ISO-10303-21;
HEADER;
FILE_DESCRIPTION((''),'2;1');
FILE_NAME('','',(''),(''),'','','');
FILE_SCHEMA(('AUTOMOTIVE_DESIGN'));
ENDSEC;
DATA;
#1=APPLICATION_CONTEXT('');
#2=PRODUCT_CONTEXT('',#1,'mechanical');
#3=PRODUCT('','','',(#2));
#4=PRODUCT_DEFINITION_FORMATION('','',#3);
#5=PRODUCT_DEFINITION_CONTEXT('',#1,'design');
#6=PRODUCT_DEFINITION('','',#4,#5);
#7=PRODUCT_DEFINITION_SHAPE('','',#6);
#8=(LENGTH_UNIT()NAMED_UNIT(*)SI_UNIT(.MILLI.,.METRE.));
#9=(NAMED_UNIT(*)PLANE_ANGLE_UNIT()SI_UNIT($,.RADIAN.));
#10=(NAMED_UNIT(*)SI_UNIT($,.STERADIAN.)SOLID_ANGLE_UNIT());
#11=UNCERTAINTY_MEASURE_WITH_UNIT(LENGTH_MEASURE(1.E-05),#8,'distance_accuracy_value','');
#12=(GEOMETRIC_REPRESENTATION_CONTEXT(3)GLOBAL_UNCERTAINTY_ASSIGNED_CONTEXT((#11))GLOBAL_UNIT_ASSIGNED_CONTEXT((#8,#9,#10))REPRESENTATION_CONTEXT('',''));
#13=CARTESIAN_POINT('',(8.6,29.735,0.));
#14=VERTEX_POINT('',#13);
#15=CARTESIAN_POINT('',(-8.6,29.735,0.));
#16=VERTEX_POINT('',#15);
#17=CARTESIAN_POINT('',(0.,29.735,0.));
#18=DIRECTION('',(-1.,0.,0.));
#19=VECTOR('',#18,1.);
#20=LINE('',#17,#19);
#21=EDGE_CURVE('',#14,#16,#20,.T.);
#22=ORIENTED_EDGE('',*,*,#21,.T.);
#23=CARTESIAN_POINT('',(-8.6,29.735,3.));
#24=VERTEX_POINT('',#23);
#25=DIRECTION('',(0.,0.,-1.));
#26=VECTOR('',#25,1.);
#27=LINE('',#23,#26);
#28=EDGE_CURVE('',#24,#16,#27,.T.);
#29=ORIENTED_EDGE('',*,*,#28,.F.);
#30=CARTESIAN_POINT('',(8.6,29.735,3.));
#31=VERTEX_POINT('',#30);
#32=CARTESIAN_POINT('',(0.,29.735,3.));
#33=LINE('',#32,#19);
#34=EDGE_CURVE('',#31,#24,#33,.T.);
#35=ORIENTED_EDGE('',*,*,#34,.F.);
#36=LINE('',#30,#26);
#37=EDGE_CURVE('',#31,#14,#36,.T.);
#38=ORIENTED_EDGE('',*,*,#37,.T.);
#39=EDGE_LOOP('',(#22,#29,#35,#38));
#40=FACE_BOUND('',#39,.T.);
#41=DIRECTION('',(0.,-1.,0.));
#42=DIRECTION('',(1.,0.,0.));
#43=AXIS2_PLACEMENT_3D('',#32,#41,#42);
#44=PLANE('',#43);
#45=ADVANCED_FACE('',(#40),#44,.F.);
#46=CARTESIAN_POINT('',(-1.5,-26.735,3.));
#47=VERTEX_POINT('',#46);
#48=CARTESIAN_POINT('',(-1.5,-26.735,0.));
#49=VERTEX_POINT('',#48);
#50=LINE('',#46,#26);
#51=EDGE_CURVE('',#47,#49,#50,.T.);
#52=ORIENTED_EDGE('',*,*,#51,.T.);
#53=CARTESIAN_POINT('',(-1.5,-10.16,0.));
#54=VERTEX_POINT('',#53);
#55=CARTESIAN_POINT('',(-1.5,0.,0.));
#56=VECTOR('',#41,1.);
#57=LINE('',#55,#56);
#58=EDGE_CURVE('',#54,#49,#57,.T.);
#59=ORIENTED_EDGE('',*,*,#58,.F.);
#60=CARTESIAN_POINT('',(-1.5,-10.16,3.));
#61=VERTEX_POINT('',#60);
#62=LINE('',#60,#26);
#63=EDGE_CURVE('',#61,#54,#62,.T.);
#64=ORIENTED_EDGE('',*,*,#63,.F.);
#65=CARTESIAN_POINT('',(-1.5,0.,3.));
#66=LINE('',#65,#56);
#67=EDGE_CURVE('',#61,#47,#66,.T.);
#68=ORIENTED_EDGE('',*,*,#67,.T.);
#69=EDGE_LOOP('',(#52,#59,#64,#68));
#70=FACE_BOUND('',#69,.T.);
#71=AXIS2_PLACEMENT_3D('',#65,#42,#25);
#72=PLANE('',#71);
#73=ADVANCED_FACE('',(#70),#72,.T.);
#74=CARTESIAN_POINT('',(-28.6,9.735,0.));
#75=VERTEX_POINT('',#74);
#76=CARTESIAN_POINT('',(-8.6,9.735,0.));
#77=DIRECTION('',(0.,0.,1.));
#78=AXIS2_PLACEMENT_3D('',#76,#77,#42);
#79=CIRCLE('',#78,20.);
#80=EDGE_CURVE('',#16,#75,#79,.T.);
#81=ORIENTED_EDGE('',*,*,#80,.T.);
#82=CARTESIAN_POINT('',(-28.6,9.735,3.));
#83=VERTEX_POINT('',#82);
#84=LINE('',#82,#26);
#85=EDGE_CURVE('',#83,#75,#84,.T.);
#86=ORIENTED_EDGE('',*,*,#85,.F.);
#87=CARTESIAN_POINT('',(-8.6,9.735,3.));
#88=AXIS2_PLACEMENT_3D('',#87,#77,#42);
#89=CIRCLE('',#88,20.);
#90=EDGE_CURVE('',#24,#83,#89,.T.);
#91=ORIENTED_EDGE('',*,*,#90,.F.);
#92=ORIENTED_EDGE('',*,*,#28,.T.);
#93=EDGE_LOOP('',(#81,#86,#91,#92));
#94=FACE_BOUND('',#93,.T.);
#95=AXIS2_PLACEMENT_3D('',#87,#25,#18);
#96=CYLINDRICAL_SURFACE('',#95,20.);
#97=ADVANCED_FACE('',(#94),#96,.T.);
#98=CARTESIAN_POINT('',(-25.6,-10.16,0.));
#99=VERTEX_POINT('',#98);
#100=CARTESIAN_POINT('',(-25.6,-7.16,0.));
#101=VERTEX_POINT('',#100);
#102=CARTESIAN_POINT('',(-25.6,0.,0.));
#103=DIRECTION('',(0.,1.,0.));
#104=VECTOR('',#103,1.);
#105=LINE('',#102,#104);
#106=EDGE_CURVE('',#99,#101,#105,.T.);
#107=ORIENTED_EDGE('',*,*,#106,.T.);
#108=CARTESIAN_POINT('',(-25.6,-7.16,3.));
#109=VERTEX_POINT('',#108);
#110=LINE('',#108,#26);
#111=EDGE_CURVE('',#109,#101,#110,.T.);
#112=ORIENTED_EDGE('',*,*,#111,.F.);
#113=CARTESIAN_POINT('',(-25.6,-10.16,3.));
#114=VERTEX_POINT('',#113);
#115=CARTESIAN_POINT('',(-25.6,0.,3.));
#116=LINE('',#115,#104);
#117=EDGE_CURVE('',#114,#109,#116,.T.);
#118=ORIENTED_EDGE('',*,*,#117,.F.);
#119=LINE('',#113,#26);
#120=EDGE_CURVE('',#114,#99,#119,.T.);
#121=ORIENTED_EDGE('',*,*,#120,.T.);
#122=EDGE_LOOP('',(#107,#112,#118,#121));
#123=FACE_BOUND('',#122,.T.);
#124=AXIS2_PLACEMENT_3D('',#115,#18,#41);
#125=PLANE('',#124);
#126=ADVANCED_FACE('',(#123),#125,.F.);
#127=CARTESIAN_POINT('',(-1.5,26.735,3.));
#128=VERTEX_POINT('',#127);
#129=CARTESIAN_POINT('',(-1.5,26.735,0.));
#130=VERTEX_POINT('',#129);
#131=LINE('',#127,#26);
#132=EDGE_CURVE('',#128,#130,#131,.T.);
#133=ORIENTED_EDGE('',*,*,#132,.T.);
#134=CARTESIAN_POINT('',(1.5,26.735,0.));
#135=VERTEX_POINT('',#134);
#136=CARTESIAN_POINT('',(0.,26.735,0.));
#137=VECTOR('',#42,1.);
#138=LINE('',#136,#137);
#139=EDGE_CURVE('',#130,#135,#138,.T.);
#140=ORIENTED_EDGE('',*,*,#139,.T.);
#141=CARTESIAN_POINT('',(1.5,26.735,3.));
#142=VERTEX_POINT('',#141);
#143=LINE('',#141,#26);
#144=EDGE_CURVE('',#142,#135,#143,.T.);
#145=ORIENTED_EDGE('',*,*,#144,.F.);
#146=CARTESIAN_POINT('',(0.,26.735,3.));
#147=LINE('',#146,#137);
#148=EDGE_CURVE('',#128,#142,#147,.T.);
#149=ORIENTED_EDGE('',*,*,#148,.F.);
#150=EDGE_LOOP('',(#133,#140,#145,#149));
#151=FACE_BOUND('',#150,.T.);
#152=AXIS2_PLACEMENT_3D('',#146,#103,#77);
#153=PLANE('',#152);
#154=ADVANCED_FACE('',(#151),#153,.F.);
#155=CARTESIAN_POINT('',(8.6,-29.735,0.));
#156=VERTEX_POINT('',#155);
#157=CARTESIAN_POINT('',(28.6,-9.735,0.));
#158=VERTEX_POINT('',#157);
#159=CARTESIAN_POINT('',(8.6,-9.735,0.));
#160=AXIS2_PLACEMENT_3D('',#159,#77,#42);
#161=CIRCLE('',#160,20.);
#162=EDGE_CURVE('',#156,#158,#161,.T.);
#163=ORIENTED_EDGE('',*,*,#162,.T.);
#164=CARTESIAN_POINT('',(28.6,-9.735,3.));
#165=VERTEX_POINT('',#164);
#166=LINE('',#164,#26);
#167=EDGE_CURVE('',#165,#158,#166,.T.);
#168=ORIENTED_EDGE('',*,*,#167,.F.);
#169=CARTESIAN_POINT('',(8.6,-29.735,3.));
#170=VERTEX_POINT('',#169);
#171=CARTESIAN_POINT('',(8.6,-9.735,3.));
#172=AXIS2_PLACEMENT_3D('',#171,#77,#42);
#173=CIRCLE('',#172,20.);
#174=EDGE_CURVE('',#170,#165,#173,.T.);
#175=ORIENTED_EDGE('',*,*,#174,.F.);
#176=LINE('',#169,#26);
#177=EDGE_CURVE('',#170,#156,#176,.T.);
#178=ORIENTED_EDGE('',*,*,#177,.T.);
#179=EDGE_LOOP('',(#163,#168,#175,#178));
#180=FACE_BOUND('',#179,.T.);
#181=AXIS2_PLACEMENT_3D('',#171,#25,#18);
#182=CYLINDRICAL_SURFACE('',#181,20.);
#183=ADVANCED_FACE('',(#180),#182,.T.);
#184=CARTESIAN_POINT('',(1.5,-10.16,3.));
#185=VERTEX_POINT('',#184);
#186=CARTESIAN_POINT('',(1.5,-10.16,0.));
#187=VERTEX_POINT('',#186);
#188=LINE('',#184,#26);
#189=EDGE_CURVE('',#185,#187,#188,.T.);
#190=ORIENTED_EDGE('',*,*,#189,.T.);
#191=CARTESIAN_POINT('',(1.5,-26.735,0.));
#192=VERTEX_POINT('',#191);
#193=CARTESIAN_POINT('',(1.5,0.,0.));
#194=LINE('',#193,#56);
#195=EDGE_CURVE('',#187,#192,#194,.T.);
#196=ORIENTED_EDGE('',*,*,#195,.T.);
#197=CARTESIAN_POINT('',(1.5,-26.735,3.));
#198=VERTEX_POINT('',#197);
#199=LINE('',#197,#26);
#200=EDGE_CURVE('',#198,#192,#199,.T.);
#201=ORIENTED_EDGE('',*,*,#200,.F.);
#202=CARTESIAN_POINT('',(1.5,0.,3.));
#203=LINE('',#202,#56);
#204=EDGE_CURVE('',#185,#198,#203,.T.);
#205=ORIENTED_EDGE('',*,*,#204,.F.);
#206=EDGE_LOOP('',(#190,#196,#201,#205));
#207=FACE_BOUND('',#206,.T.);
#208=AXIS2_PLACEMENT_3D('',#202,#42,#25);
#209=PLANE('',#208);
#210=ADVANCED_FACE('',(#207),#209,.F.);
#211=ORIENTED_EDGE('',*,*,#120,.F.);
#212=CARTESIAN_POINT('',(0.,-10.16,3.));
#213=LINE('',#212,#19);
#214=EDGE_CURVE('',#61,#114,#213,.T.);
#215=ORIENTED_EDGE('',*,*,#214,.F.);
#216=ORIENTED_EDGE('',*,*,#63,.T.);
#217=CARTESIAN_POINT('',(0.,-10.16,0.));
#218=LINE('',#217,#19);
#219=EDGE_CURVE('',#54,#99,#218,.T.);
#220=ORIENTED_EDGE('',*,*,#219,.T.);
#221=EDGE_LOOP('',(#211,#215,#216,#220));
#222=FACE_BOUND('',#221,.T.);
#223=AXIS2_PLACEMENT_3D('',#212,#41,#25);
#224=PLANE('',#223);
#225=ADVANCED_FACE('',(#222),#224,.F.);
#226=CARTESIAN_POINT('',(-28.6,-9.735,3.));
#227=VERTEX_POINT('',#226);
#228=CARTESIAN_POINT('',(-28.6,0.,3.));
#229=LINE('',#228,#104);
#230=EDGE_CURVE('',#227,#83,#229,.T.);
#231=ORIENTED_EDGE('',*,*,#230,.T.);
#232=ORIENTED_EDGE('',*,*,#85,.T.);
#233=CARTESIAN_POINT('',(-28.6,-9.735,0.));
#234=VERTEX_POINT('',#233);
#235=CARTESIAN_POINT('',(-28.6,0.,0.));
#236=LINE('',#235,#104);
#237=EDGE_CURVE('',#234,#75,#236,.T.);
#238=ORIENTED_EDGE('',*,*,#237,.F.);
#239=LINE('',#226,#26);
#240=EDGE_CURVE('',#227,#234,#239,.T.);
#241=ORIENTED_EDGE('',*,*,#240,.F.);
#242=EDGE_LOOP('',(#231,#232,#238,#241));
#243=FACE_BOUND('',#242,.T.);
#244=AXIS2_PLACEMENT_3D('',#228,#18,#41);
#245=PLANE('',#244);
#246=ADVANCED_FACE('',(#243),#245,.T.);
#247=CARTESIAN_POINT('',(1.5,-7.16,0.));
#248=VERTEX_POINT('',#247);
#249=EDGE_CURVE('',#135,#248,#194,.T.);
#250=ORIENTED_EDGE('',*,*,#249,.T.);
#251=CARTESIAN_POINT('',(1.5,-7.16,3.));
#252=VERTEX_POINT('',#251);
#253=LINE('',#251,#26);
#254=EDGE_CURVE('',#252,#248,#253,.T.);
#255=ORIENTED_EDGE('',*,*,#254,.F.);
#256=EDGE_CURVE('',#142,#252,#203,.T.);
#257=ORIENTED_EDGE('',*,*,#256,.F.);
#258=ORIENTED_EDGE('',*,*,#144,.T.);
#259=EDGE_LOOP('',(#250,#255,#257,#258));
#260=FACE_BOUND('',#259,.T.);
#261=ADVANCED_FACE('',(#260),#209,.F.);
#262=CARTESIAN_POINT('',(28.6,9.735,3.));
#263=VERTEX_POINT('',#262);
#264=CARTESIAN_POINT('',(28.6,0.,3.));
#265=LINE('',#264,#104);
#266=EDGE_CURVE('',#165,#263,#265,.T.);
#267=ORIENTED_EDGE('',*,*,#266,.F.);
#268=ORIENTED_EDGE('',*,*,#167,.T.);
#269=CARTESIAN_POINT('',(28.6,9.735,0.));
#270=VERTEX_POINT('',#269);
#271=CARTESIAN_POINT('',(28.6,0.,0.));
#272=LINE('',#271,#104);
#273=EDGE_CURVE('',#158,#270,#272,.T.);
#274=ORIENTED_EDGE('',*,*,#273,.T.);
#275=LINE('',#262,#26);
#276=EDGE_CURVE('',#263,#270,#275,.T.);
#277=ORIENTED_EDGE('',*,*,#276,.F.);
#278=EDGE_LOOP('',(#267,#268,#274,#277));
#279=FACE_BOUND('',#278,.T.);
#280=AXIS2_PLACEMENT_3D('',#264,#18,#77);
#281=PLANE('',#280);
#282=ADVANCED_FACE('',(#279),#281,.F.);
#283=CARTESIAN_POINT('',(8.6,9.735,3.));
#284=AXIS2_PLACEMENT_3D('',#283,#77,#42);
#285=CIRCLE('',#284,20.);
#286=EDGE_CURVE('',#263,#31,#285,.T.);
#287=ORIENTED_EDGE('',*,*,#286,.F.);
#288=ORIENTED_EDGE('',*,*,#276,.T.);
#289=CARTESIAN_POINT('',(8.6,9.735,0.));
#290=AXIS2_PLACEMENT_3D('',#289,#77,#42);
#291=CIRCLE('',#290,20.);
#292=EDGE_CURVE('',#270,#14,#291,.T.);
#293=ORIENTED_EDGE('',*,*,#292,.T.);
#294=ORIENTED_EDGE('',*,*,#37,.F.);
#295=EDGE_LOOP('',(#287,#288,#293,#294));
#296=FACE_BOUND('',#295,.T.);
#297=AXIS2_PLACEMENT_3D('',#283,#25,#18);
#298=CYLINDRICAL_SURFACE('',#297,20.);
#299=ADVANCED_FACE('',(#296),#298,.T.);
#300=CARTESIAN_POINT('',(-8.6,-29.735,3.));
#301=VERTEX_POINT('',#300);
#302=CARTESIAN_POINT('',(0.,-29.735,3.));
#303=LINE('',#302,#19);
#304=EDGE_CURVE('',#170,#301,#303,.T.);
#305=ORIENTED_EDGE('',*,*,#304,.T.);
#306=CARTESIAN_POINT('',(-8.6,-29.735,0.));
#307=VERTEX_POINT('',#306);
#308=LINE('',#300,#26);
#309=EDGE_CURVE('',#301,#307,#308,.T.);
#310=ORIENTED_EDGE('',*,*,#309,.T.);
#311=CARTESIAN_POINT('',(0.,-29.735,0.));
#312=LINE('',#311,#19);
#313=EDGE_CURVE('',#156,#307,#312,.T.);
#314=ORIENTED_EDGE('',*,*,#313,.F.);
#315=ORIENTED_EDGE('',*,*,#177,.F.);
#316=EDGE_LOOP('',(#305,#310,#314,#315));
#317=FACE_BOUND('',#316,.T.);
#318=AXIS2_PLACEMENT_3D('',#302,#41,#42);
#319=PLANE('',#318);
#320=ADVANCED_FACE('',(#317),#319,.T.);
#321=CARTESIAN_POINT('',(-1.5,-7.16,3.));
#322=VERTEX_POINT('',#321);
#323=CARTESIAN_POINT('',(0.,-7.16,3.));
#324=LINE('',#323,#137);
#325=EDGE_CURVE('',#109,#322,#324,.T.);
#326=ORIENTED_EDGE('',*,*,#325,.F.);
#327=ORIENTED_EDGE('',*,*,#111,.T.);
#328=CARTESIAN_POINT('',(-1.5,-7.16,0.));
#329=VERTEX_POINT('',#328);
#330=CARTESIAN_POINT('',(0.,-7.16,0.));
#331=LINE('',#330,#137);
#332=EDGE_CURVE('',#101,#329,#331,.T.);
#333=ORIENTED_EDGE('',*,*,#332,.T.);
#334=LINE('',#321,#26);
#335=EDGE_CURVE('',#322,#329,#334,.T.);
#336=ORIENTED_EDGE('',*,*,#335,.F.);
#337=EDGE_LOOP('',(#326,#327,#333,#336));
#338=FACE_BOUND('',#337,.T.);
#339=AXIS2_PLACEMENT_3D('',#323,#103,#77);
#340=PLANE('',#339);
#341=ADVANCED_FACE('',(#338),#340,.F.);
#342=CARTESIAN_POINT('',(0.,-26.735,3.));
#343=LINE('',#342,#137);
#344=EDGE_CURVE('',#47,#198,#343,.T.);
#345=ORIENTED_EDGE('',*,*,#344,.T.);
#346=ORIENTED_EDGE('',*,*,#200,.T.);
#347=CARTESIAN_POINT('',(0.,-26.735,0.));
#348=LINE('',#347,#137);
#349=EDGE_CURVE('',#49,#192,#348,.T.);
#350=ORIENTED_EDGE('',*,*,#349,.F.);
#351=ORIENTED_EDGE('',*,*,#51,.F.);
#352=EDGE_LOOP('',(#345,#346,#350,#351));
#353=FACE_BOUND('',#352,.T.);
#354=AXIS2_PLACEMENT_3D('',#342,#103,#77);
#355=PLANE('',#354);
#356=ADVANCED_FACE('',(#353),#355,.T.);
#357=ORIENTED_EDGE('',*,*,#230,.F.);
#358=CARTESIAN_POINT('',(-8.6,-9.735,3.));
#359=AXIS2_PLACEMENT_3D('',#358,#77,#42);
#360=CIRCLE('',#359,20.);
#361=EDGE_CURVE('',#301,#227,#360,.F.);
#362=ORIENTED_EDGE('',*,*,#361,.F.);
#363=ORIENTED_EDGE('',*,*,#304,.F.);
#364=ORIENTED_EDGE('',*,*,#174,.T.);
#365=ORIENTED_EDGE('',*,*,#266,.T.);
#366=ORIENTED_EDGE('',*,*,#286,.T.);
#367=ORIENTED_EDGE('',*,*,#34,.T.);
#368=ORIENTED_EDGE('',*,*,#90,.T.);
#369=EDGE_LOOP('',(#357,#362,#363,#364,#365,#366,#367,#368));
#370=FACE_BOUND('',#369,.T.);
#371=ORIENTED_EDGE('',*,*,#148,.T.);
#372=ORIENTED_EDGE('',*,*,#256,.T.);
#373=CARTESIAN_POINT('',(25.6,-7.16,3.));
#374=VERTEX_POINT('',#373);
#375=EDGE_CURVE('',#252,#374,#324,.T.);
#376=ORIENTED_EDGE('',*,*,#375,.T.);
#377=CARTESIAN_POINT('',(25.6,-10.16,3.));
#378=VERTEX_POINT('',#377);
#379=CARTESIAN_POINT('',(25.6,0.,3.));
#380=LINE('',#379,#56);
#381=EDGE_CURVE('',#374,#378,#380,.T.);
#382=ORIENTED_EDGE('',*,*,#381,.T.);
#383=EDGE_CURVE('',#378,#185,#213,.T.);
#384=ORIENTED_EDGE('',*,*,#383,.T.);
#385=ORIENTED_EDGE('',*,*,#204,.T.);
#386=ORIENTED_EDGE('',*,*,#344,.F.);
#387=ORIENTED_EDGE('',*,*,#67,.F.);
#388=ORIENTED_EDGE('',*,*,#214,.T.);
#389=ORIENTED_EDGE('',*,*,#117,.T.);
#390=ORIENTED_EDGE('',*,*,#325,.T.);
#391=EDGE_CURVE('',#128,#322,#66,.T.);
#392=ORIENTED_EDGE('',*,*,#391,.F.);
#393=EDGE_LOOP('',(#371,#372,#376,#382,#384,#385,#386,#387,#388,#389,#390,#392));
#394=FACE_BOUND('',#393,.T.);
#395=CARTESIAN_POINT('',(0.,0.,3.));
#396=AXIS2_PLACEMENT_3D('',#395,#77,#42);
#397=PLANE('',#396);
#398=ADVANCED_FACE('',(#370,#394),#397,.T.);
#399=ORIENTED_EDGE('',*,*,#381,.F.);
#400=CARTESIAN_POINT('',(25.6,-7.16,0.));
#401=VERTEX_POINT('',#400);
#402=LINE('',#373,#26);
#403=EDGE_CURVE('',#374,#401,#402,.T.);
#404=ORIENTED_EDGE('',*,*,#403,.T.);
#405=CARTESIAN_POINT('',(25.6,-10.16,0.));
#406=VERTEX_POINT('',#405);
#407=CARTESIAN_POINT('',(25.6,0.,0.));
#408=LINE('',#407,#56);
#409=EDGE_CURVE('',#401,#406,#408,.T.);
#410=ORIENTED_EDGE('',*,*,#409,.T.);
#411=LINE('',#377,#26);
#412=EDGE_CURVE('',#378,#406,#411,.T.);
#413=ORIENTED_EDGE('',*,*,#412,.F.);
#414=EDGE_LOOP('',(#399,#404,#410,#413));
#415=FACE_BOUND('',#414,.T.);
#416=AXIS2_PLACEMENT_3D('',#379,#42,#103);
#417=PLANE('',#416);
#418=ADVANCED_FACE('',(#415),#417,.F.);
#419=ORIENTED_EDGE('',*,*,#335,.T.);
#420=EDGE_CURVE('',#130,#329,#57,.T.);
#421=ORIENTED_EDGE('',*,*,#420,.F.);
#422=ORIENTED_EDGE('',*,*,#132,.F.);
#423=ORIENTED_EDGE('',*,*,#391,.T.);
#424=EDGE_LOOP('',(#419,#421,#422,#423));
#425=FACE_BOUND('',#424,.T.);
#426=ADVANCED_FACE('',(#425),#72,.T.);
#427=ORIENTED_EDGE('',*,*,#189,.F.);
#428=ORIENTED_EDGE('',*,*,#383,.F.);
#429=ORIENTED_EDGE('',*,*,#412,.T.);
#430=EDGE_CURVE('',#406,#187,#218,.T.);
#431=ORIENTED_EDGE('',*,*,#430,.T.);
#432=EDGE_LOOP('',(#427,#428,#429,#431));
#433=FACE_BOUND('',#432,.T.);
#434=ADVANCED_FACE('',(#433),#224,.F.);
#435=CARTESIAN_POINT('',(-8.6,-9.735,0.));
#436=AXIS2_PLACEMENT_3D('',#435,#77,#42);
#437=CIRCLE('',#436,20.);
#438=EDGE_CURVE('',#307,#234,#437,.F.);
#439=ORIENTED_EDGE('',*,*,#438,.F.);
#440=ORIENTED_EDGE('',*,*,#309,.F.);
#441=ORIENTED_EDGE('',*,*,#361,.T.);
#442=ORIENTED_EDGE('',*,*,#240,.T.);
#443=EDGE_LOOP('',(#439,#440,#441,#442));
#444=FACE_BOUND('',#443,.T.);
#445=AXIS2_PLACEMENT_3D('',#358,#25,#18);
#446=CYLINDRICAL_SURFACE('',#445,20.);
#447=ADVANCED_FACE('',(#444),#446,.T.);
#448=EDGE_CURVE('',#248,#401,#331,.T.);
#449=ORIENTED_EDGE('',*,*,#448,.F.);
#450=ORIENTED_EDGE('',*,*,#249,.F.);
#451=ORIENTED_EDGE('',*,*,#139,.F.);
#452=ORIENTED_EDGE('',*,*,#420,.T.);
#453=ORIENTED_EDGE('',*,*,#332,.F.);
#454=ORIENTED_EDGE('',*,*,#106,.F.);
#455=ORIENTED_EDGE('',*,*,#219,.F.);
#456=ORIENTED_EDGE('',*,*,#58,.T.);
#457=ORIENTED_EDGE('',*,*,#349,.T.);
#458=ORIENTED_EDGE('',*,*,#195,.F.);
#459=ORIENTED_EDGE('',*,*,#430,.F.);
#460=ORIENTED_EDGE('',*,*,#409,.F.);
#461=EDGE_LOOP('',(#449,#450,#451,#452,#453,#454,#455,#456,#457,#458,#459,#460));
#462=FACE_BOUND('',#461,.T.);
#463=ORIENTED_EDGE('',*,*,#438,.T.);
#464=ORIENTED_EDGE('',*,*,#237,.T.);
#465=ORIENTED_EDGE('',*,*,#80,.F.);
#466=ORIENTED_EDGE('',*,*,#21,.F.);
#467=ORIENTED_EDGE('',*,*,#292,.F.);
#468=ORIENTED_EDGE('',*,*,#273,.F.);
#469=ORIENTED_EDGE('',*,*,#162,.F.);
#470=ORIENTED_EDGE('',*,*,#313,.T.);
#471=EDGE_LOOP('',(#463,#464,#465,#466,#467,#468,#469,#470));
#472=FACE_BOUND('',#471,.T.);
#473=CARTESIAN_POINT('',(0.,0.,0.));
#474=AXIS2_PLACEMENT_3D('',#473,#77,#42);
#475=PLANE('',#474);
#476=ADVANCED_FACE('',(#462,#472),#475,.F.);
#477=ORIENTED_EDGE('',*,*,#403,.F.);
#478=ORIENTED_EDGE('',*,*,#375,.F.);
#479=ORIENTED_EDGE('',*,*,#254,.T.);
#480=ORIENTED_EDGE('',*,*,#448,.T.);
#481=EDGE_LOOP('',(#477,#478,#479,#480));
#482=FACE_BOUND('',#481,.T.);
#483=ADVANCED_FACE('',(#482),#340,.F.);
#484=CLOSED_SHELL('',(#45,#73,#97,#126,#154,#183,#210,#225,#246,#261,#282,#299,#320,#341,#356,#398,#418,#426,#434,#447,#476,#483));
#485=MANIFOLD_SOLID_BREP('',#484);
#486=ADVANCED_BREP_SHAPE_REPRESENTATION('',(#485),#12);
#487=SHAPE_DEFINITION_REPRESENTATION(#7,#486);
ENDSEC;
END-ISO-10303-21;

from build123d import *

# Parameters (mm, degrees)
SALIENTE_EXTRUIR1_DEPTH = 3


with BuildPart() as part:
    # Croquis1 → Saliente-Extruir1 (new body)
    with BuildSketch(Plane.XY):
        with BuildLine():
            Line((-8.6, -29.735), (8.6, -29.735))
            ThreePointArc((8.6, -29.735), (22.742135624, -23.877135624), (28.6, -9.735))
            Line((28.6, -9.735), (28.6, 9.735))
            ThreePointArc((28.6, 9.735), (22.742135624, 23.877135624), (8.6, 29.735))
            Line((8.6, 29.735), (-8.6, 29.735))
            ThreePointArc((-8.6, 29.735), (-22.742135624, 23.877135624), (-28.6, 9.735))
            Line((-28.6, 9.735), (-28.6, -9.735))
            ThreePointArc((-28.6, -9.735), (-22.742135624, -23.877135624), (-8.6, -29.735))
        make_face()
        Polygon((-25.6, -10.16), (-25.6, -7.16), (-1.5, -7.16), (-1.5, 26.735), (1.5, 26.735), (1.5, -7.16), (25.6, -7.16), (25.6, -10.16), (1.5, -10.16), (1.5, -26.735), (-1.5, -26.735), (-1.5, -10.16), align=None, mode=Mode.SUBTRACT)
    extrude(amount=SALIENTE_EXTRUIR1_DEPTH)


solid = part.part
